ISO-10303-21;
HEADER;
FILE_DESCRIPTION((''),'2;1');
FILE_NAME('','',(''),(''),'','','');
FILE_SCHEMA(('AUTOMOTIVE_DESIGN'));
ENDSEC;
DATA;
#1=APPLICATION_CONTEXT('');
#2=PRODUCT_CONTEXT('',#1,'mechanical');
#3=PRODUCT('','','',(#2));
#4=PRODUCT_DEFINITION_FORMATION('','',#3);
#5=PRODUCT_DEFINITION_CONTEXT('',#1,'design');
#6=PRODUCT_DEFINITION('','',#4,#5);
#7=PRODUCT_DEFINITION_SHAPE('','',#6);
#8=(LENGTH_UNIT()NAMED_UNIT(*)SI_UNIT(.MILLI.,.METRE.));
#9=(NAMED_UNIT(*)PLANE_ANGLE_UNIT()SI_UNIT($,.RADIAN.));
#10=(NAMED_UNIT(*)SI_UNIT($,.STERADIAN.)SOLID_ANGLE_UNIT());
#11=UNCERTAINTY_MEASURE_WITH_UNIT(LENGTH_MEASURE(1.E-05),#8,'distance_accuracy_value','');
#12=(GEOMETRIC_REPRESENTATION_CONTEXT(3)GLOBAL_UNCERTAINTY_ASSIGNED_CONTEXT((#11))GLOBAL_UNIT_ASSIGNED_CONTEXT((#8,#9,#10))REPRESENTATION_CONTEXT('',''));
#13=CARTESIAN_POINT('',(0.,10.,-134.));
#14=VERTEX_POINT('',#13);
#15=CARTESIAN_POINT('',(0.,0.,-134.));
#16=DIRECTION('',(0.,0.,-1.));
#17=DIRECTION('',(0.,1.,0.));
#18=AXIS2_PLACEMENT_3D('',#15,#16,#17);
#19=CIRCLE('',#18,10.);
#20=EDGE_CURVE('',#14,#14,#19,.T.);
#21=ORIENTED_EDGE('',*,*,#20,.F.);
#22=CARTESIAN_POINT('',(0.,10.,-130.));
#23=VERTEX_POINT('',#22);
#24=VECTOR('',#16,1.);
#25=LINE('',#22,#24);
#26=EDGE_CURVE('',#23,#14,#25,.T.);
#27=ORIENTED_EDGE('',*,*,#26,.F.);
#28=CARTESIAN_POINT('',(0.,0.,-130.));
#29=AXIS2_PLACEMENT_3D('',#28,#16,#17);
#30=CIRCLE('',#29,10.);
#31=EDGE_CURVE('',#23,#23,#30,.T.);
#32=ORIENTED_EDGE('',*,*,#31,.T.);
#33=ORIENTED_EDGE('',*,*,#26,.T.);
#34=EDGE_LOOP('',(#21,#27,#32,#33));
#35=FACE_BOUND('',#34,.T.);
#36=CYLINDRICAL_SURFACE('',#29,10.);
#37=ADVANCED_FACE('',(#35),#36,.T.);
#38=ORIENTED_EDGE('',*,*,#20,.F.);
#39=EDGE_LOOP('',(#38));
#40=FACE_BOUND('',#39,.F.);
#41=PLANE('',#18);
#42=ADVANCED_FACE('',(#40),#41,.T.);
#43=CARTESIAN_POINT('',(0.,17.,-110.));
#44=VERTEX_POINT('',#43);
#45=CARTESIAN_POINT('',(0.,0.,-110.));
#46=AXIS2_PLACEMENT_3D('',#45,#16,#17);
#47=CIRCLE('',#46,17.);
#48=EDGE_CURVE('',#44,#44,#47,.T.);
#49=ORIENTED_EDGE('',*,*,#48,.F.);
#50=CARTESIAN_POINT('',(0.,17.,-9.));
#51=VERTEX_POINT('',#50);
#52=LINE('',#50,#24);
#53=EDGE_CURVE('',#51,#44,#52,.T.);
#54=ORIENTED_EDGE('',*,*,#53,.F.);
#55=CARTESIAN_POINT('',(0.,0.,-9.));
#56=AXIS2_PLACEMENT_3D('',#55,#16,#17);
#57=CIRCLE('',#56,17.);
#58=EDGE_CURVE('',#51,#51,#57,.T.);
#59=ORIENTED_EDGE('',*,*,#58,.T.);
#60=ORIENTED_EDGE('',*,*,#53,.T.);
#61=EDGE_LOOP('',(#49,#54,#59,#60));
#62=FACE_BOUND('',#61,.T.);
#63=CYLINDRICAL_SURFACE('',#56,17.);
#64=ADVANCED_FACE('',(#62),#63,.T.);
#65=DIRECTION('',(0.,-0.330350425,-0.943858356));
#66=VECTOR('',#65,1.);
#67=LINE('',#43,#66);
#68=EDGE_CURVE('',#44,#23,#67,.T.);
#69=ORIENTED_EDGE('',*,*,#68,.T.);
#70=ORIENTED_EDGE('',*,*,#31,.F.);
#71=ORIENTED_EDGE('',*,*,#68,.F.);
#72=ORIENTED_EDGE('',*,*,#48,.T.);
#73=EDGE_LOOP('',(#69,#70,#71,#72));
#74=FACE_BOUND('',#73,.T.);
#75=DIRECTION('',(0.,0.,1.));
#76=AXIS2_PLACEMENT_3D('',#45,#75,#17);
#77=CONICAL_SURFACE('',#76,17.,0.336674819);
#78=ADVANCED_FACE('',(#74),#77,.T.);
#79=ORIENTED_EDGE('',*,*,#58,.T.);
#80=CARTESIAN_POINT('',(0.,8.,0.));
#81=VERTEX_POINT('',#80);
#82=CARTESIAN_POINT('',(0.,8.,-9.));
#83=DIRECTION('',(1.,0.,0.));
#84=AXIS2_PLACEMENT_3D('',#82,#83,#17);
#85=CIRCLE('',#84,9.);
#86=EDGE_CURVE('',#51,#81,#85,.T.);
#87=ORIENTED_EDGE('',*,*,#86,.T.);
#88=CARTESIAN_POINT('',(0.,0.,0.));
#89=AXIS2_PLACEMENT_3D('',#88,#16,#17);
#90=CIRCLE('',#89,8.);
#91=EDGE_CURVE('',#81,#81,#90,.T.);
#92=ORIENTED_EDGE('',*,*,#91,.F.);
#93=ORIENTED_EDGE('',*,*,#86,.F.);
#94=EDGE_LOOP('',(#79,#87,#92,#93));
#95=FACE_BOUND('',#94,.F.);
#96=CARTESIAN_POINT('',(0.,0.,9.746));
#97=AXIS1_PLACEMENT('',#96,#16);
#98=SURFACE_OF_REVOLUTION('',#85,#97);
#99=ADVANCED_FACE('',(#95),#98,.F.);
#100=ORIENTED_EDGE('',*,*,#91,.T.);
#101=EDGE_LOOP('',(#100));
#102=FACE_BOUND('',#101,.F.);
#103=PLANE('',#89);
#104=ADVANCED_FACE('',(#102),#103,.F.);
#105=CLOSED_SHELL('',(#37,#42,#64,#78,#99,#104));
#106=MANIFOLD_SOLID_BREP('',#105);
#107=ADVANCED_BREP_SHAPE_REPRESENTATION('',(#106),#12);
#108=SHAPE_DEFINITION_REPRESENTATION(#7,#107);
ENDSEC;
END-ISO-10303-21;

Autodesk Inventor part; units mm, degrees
ref_plane "YZ Plane" through (0, 0, 0) normal (1, 0, 0) x (0, 1, 0)
ref_plane "XZ Plane" through (0, 0, 0) normal (0, 1, 0) x (-1, 0, 0)
ref_plane "XY Plane" through (0, 0, 0) normal (0, 0, 1) x (1, 0, 0)
sketch "Esquisse1" plane through (0, 0, 0) normal (1, 0, 0) x (0, 1, 0)
  line L0 (0, 9.746) -> (0, -11.8589)
  line L1 (17, -9) -> (17, -110)
  arc A0 (17, -9) -> (8, 0) centre (8, -9) ccw
  line L2 (17, -110) -> (10, -130)
  line L3 (10, -130) -> (10, -134)
  line L4 (8, 0) -> (0, 0)
  line L5 (0, 0) -> (0, -134)
  line L6 (0, -134) -> (10, -134)
  dimension "d0" = 34
  dimension "d1" = 20
  dimension "d2" = 4
  dimension "d3" = 20
  dimension "d4" = 9
  dimension "d5" = 130
revolve "Révolution1" add sketch "Esquisse1" angle 360 about axis through (0, 0, 9.746) along (0, 0, -1)
properties part number "volume_reservoir"
